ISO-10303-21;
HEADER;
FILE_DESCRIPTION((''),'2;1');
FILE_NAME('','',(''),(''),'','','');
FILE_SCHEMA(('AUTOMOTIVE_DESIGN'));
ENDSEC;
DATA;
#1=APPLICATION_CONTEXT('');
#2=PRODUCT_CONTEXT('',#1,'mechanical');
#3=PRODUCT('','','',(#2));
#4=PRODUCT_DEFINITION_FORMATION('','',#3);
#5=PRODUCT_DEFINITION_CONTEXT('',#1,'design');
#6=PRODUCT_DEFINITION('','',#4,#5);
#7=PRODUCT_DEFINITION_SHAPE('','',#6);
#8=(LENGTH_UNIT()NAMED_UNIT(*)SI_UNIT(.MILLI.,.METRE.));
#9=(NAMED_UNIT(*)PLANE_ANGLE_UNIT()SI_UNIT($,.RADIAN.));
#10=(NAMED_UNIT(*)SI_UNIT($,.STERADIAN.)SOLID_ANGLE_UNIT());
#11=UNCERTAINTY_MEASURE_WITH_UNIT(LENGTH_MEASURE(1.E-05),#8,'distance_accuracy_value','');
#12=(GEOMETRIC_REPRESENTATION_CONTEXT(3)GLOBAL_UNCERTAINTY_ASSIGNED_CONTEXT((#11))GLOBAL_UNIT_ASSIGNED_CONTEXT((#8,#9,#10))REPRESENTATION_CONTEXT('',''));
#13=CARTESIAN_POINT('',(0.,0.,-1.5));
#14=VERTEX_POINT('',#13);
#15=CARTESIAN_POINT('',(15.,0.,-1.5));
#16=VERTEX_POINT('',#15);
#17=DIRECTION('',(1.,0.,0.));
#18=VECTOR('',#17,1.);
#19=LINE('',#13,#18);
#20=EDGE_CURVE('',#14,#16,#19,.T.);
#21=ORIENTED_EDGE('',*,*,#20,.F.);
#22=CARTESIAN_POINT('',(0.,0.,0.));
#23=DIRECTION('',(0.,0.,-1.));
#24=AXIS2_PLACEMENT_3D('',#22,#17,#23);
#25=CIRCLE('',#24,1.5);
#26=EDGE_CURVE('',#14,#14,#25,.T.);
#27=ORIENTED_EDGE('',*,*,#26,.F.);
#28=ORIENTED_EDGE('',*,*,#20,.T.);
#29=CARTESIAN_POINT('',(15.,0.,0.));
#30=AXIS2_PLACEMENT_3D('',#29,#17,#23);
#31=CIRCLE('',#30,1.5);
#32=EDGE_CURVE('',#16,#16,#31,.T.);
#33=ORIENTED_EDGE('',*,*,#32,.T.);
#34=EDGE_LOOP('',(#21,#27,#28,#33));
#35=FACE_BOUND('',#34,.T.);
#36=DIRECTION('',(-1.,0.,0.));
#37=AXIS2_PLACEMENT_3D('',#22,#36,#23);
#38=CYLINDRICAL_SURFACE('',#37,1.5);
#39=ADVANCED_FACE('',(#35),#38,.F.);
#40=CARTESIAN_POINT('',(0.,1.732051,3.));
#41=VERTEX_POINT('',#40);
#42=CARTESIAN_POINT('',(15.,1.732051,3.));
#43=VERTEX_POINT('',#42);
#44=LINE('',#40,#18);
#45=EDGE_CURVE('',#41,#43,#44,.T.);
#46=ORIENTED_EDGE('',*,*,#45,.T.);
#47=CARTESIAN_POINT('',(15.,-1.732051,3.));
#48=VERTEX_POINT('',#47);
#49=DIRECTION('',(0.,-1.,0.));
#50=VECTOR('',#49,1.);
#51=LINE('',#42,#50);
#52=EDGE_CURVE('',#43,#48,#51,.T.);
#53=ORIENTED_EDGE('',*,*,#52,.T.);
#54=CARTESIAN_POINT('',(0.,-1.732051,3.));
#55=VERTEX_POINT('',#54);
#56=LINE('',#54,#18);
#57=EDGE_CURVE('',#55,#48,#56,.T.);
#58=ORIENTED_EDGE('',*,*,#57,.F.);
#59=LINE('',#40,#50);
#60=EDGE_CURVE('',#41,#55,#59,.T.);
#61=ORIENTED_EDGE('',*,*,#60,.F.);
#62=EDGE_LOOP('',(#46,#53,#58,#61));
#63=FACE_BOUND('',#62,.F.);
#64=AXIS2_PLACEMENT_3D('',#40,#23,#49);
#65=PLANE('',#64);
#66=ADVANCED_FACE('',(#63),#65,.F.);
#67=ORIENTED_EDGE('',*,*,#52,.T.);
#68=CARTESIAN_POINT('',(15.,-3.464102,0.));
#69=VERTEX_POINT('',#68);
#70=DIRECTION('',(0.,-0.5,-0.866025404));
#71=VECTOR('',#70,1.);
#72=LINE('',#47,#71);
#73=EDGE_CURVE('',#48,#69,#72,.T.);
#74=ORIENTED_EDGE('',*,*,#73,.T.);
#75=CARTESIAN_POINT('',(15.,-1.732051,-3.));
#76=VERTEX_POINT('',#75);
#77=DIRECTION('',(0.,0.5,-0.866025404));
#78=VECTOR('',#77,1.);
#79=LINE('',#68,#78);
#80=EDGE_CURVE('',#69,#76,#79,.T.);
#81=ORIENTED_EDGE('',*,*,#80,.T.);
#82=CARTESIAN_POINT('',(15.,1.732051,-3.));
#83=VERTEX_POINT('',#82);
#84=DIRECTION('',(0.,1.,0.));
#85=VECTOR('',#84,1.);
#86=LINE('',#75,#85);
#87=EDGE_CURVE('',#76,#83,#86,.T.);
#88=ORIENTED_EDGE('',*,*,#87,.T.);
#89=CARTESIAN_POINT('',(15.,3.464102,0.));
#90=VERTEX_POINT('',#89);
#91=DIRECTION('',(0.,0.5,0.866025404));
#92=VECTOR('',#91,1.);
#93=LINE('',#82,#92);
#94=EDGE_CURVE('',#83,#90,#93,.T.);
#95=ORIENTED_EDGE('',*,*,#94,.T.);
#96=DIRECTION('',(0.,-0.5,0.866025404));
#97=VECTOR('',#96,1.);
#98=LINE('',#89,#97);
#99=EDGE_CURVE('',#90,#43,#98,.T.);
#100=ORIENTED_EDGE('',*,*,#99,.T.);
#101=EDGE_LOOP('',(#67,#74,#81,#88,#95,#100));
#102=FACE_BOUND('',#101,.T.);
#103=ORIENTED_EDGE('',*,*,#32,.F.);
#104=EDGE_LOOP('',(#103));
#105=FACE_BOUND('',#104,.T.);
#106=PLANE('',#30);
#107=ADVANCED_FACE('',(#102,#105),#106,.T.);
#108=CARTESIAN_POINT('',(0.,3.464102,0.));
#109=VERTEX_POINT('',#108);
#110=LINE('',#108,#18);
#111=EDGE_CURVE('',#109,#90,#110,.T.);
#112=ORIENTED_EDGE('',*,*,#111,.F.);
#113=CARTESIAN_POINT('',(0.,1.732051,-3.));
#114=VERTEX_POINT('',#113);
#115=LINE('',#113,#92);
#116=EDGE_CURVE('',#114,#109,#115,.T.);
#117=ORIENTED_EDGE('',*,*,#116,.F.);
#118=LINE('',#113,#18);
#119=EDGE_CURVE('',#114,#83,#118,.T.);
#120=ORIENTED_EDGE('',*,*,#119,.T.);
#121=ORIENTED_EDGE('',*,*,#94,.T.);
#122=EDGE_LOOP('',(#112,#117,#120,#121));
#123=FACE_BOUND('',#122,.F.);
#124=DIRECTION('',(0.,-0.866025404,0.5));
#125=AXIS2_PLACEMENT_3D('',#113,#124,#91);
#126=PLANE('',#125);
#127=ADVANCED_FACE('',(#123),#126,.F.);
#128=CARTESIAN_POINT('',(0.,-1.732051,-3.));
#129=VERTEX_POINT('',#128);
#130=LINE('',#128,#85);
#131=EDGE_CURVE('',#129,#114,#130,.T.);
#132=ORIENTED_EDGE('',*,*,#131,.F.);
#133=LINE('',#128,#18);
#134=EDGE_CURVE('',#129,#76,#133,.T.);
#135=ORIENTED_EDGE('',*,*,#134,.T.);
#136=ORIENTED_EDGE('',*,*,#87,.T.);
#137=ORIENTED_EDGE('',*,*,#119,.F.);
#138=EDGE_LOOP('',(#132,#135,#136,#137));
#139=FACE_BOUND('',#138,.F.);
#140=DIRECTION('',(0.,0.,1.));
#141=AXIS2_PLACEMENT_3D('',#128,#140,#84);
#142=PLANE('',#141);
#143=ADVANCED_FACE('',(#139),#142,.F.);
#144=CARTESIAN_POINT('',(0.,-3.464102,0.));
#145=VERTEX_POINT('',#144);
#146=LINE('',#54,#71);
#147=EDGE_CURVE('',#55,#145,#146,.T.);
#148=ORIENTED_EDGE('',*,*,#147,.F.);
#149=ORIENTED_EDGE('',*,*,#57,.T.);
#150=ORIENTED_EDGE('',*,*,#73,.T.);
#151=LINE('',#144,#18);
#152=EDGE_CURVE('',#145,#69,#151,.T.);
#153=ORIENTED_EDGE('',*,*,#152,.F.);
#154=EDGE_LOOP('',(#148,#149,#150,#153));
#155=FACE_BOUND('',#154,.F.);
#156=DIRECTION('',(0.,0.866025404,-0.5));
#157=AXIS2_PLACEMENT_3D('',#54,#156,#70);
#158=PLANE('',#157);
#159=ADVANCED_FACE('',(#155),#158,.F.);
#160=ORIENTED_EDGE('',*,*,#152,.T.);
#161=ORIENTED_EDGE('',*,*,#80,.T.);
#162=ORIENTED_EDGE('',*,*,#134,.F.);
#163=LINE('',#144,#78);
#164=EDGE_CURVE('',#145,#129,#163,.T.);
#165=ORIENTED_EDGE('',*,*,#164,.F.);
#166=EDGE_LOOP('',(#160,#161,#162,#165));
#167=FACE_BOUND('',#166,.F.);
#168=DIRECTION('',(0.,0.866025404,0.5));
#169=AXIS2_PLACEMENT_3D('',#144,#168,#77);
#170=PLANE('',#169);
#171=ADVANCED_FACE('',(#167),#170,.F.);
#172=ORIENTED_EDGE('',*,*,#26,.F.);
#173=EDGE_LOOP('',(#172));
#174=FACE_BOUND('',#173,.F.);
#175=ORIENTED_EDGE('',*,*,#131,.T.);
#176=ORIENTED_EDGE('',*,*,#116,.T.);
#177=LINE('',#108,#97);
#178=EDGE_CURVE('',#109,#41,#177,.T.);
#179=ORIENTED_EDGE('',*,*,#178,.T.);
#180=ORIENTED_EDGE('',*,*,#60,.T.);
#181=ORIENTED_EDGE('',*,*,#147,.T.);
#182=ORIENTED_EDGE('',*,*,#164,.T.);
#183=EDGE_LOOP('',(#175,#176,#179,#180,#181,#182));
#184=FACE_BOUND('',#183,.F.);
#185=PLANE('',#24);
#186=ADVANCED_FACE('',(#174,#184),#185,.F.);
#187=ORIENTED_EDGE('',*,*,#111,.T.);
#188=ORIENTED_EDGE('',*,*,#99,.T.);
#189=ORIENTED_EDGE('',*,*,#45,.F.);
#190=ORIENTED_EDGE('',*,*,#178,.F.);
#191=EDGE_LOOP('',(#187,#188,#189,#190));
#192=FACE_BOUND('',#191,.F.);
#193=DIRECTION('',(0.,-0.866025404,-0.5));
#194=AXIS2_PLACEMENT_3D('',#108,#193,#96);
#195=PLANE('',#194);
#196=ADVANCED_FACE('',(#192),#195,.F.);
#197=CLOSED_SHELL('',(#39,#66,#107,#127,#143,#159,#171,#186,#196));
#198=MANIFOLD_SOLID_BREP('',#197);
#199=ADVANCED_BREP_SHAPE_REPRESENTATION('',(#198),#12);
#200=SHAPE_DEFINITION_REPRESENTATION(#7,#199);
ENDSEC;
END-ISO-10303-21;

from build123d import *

# Parameters (mm, degrees)
SKETCH_1_R      = 1.5
EXTRUDE_1_DEPTH = 15


with BuildPart() as part:
    # 草图1 → 凸台-拉伸1 (new body)
    with BuildSketch(Plane(origin=(0, 0, 0), x_dir=(0, 0, -1), z_dir=(1, 0, 0))):
        Polygon((-3, 1.732050808), (-3, -1.732050808), (0, -3.464101615), (3, -1.732050808), (3, 1.732050808), (0, 3.464101615), align=None)
        Circle(SKETCH_1_R, mode=Mode.SUBTRACT)
    extrude(amount=EXTRUDE_1_DEPTH)


solid = part.part
